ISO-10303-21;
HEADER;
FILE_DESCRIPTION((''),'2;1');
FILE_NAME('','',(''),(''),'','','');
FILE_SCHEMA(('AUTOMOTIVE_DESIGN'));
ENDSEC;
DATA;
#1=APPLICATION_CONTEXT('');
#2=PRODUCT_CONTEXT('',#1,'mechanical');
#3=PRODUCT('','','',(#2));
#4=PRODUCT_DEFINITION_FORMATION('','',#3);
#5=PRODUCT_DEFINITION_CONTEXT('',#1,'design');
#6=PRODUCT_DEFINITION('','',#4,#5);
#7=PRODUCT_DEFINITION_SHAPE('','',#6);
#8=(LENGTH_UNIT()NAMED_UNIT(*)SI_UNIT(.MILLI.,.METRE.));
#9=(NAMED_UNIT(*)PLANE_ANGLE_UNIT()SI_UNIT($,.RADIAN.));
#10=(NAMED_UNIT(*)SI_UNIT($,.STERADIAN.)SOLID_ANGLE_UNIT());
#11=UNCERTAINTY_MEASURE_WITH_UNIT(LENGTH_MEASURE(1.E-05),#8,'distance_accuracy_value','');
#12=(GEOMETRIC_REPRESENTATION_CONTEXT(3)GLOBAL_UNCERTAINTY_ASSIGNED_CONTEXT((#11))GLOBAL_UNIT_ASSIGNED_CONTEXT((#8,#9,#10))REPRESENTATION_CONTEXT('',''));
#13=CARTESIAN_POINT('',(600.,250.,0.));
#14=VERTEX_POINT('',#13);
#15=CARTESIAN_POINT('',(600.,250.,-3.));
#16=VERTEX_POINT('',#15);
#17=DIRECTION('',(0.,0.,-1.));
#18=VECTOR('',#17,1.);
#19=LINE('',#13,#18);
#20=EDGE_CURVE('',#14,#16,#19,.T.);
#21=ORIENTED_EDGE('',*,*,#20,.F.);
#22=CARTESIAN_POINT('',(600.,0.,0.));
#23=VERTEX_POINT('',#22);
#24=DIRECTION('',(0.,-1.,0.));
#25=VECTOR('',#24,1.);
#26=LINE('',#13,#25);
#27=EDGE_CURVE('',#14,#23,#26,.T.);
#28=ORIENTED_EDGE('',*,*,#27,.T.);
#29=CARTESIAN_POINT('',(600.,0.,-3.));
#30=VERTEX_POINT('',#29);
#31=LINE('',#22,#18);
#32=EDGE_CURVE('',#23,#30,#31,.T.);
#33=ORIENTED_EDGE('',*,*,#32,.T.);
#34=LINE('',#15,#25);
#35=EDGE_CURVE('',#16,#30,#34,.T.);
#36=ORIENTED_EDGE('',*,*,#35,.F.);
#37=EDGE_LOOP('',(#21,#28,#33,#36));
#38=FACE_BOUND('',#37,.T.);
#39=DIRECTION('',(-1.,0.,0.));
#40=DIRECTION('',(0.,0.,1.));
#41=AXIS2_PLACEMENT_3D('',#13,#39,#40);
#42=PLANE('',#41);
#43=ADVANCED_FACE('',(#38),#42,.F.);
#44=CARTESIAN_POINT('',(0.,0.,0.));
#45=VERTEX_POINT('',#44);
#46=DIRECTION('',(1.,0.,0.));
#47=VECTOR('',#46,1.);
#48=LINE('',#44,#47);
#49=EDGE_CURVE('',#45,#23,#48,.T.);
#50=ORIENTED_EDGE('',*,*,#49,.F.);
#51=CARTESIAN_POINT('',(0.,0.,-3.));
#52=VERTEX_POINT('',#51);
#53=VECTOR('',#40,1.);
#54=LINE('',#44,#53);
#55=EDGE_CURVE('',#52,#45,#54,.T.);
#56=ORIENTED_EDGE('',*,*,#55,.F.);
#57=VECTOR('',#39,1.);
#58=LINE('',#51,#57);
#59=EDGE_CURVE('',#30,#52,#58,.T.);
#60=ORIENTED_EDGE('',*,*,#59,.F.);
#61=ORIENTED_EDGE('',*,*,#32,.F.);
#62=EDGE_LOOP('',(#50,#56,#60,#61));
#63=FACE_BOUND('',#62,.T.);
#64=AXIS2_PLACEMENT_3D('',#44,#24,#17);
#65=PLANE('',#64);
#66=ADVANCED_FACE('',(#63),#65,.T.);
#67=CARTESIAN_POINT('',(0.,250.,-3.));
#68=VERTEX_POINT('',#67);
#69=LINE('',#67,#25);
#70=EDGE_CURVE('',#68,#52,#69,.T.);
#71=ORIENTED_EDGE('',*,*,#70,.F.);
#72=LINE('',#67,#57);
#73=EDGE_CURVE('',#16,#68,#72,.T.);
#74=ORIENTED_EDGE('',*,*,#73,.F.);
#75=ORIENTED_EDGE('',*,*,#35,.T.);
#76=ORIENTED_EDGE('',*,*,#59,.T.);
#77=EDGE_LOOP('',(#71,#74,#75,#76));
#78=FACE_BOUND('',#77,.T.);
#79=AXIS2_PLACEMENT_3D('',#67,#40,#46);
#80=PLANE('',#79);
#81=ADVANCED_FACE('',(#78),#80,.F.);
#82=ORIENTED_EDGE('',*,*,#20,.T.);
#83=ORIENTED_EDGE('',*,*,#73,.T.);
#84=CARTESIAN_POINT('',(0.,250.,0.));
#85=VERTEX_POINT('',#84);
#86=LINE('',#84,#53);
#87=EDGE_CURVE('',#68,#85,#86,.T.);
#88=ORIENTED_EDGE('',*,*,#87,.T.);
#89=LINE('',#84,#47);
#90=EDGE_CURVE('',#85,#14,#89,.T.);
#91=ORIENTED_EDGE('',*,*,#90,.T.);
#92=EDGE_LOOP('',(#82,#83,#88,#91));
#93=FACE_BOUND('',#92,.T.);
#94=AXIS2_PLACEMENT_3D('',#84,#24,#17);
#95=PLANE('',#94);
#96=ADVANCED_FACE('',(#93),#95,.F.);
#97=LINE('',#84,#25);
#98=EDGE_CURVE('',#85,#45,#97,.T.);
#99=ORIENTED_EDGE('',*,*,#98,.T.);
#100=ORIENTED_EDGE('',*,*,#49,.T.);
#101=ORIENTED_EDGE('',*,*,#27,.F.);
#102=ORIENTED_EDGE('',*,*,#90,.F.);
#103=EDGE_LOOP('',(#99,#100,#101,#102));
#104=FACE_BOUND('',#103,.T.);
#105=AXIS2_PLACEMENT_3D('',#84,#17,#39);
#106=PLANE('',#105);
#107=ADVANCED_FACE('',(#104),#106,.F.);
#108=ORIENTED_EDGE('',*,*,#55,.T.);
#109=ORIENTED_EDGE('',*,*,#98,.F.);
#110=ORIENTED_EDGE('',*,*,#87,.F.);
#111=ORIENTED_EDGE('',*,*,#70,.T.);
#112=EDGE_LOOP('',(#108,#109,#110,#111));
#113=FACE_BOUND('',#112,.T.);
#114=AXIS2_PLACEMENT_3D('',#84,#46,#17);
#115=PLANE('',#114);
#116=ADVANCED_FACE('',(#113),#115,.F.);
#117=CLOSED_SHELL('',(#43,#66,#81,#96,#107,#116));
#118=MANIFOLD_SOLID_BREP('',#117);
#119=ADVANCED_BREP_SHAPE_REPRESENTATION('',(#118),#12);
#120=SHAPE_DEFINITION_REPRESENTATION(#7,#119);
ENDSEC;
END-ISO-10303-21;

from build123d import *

# Parameters (mm, degrees)
SKETCH_1_W      = 600
SKETCH_1_H      = 3
EXTRUDE_1_DEPTH = 250


with BuildPart() as part:
    # 스케치1 → 보스-돌출1 (new body)
    with BuildSketch(Plane(origin=(0, 0, 0), x_dir=(1, 0, 0), z_dir=(0, 1, 0))):
        with Locations((300, 1.5)):
            Rectangle(SKETCH_1_W, SKETCH_1_H)
    extrude(amount=EXTRUDE_1_DEPTH)


solid = part.part
